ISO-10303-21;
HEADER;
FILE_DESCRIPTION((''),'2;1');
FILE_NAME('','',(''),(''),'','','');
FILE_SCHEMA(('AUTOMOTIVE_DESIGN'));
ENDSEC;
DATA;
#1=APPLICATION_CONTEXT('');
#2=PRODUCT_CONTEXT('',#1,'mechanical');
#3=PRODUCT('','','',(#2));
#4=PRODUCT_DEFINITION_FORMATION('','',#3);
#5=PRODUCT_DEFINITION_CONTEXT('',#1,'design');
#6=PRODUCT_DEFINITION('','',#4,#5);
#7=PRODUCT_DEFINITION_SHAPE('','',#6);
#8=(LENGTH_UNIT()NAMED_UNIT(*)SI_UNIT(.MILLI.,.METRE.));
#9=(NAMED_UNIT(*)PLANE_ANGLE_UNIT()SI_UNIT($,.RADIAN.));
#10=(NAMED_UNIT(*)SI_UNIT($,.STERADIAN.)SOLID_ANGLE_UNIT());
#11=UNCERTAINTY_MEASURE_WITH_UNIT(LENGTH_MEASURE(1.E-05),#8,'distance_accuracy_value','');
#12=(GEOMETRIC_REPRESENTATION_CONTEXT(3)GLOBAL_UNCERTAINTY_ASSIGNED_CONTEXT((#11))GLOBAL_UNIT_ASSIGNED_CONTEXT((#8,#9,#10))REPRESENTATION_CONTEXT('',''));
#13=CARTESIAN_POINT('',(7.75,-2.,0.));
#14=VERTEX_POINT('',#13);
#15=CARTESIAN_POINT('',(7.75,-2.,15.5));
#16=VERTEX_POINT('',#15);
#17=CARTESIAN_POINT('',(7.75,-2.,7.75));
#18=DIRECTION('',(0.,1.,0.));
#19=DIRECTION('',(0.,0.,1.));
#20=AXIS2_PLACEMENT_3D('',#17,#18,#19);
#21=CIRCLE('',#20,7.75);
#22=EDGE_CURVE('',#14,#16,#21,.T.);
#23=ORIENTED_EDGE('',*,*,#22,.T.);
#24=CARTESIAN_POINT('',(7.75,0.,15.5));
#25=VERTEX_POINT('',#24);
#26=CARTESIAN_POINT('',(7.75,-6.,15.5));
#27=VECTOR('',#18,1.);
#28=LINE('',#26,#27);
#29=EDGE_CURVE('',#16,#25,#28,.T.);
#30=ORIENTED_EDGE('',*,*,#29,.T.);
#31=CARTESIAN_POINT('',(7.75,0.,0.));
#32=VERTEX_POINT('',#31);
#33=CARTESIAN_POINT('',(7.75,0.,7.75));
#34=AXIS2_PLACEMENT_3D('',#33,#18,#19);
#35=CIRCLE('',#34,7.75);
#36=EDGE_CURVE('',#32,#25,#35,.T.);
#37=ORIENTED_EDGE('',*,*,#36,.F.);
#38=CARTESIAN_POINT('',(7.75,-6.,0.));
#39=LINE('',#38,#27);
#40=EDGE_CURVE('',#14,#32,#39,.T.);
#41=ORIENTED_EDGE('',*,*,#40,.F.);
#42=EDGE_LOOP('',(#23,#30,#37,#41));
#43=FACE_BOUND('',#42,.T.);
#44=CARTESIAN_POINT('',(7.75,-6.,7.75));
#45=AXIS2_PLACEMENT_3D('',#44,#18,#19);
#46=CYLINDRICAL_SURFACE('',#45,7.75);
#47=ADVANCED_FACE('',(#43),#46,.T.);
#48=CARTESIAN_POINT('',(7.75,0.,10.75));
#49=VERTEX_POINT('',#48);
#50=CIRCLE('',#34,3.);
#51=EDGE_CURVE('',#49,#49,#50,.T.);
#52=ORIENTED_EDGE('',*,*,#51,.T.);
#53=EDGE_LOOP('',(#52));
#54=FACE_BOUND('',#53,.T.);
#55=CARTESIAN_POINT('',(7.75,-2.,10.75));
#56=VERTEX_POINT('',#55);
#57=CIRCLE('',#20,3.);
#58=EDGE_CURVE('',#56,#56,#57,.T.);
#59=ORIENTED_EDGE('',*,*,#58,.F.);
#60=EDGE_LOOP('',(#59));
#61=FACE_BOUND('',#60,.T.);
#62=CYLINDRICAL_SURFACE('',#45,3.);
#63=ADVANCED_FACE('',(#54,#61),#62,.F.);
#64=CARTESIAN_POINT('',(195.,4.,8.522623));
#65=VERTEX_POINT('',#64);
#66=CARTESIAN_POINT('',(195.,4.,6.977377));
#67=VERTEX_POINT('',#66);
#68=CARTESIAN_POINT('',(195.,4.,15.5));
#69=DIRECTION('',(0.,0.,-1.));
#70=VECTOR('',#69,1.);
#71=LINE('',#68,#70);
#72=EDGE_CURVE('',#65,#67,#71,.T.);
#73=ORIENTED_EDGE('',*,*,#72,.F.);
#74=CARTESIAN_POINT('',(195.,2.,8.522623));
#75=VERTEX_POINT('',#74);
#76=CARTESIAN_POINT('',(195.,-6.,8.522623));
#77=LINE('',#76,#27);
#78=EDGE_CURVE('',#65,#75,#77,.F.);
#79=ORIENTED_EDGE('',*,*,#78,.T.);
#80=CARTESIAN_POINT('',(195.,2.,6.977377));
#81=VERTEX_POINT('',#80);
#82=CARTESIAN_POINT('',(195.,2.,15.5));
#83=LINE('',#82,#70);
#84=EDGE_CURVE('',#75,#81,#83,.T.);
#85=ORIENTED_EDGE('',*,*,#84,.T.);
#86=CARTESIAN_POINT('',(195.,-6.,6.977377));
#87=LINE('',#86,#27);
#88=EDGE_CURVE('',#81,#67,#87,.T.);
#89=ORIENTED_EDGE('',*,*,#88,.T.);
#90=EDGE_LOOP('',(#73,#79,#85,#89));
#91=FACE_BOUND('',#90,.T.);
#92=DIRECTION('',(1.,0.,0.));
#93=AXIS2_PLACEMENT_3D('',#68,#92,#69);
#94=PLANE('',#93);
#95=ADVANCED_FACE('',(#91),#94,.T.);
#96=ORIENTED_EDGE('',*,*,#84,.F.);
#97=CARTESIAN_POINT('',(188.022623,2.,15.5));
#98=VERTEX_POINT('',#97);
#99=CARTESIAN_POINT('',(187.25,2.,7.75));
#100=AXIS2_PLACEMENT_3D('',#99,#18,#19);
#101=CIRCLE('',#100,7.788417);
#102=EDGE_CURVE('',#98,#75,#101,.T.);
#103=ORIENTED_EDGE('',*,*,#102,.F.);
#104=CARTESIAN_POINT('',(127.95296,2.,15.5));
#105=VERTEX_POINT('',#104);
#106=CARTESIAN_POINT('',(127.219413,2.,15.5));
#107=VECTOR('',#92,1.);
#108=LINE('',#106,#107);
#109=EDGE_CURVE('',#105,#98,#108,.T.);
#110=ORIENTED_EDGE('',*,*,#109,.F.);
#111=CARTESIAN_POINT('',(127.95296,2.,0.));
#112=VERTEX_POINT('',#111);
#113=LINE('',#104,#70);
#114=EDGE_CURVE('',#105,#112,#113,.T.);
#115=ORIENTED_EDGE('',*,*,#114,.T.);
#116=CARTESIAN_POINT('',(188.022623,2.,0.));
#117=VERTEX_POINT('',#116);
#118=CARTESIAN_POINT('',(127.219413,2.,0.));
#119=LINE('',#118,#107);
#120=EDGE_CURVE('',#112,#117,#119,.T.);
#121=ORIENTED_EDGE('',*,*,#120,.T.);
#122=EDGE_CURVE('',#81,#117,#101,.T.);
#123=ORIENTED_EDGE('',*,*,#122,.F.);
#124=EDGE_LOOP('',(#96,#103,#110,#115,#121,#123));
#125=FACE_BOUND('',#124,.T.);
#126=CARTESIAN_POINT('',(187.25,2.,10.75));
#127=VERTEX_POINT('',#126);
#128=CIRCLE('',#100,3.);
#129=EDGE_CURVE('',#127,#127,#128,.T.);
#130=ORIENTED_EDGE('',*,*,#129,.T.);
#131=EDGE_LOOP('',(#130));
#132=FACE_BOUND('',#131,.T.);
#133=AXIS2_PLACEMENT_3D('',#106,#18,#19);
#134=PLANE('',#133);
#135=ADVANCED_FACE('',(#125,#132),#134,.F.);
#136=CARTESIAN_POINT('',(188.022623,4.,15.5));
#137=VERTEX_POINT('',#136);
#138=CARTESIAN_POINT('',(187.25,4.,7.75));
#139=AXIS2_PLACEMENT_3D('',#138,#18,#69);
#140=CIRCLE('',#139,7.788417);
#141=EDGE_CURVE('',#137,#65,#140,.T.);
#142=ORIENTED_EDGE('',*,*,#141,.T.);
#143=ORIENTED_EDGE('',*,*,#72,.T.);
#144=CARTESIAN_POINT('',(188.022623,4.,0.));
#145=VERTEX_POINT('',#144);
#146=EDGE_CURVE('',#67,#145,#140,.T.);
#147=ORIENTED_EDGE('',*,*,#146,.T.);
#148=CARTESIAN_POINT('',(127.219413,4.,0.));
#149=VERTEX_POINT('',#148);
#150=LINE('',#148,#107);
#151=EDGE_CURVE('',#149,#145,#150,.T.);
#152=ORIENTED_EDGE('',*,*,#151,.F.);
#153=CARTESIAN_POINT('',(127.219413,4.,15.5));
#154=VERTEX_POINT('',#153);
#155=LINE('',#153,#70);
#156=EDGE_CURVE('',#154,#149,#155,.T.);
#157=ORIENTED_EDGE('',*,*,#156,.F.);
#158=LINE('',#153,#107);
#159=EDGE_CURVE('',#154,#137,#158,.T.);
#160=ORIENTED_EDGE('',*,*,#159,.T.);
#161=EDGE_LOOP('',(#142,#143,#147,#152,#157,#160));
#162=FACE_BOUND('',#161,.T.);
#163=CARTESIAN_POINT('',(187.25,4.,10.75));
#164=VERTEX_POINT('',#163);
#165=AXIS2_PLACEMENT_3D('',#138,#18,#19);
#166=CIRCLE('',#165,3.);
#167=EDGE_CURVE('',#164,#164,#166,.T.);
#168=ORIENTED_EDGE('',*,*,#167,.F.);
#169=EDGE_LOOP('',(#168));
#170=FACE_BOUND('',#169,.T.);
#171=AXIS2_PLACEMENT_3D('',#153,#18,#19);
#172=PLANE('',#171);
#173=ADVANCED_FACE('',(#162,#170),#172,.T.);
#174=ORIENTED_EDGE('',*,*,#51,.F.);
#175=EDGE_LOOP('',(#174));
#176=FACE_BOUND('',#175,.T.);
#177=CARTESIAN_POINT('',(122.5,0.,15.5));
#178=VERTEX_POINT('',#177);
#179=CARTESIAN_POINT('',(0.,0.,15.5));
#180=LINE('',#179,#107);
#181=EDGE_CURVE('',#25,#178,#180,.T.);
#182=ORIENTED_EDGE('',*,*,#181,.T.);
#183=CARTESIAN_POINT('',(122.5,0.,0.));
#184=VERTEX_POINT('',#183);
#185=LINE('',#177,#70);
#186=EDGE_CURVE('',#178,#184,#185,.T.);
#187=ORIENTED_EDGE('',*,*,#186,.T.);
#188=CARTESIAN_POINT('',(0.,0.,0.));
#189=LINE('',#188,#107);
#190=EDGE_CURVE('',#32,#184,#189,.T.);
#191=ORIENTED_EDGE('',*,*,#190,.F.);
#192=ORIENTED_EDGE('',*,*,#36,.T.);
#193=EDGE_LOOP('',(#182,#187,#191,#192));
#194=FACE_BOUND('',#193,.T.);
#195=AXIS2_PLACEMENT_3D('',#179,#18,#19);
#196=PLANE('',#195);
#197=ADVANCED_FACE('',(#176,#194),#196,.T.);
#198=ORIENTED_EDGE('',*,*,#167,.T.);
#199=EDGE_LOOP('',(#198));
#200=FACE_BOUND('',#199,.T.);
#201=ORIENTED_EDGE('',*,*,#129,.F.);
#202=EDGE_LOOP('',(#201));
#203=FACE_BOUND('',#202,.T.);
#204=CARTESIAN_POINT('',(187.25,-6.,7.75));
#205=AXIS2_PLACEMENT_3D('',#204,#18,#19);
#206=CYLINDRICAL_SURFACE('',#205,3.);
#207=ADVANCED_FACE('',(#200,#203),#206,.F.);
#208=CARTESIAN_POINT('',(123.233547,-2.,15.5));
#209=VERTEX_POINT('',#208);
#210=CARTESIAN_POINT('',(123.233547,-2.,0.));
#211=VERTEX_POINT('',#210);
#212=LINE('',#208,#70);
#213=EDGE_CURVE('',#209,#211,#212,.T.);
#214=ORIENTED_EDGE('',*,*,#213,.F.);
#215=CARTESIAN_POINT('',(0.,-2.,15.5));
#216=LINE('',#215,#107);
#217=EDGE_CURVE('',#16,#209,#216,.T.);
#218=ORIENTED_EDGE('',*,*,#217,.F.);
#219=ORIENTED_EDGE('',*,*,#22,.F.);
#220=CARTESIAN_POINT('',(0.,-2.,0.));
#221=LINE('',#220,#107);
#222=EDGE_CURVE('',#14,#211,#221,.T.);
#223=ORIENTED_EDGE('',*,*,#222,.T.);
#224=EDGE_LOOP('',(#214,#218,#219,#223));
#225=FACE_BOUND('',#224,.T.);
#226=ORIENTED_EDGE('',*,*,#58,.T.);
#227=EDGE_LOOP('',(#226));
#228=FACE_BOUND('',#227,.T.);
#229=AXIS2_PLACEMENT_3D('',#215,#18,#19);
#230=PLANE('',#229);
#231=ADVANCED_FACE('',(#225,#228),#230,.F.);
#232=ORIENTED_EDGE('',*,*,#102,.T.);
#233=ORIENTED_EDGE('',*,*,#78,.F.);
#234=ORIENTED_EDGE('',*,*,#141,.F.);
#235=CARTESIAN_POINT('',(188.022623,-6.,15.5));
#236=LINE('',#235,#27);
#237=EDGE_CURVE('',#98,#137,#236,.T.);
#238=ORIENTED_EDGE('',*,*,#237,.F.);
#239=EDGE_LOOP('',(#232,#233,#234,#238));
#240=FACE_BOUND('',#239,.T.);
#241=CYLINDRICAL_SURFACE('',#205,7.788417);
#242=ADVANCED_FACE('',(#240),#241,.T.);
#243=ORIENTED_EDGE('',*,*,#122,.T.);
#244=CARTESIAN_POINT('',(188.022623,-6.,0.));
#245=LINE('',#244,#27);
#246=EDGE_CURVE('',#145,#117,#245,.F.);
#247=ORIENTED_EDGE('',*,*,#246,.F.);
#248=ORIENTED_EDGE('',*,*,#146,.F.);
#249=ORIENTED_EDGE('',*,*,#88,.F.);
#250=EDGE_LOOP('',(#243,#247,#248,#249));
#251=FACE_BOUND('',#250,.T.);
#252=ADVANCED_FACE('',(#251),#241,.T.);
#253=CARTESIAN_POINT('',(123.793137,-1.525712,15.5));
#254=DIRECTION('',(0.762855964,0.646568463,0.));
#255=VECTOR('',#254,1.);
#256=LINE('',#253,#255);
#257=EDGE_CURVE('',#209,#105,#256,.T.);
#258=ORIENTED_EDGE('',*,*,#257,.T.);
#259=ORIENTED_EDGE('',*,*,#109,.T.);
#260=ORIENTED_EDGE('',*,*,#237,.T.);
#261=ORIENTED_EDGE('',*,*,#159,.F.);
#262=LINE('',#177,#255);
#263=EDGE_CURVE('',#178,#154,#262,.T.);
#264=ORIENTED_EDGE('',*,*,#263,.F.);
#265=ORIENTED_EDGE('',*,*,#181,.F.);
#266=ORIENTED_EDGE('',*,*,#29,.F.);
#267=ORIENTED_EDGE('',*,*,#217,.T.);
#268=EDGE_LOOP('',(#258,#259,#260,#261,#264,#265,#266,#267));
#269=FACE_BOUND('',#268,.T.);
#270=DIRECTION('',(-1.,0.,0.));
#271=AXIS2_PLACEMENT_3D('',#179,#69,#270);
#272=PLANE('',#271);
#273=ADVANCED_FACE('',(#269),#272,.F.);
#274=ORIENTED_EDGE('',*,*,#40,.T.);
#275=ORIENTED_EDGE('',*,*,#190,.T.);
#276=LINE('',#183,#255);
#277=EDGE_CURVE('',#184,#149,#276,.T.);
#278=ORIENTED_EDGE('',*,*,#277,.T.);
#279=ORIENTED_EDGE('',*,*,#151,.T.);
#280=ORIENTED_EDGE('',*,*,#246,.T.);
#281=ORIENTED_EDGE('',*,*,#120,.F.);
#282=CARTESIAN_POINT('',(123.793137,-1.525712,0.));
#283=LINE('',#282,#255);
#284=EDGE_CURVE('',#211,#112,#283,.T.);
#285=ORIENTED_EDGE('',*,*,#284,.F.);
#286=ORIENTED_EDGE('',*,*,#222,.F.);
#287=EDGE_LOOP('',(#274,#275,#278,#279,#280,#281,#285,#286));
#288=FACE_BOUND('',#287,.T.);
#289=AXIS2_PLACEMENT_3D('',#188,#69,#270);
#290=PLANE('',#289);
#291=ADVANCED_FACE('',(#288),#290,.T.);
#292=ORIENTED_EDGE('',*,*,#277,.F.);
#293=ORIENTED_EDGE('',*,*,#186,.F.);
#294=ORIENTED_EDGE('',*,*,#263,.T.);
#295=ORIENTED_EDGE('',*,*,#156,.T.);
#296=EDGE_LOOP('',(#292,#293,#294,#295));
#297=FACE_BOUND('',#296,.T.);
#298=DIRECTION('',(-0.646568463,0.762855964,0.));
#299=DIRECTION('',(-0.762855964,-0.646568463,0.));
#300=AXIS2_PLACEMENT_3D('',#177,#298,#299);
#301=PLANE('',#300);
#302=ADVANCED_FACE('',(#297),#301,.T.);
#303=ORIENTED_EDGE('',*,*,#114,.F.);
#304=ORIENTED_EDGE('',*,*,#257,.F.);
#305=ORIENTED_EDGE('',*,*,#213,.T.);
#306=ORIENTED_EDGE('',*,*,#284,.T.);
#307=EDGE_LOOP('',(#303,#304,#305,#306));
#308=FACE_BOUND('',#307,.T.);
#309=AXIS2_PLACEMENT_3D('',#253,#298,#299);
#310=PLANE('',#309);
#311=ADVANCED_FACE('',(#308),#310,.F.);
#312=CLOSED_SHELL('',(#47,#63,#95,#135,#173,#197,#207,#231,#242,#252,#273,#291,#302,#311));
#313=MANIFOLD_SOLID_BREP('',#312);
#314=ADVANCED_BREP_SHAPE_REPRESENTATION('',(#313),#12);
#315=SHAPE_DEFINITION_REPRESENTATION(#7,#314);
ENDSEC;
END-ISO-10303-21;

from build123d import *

# Parameters (mm, degrees)
EXTRUDE_1_DEPTH     = 15.5
SKETCH_2_OUTSIDE_W  = 236.142
SKETCH_2_OUTSIDE_H  = 56.642
SKETCH_2_OUTSIDE_R  = 3
CUT_EXTRUDE_4_DEPTH = 10


with BuildPart() as part:
    # Эскиз1 → Вытянуть-Тонкостенный1 (new body)
    with BuildSketch(Plane.XY):
        Polygon((0, 0), (122.5, 0), (127.219413382, 4), (195, 4), (195, 2), (127.952959941, 2), (123.233546559, -2), (0, -2), align=None)
    extrude(amount=EXTRUDE_1_DEPTH)

    # Эскиз2 outside → Вырез-Вытянуть4 (cut)
    with BuildSketch(Plane(origin=(0, 4, 0), x_dir=(1, 0, 0), z_dir=(0, 1, 0))):
        with Locations((97.5, -7.75)):
            Rectangle(SKETCH_2_OUTSIDE_W, SKETCH_2_OUTSIDE_H)
        with BuildLine():
            Line((188.022623145, 0), (7.75, 0))
            ThreePointArc((7.75, 0), (0, -7.75), (7.75, -15.5))
            Line((7.75, -15.5), (188.022623145, -15.5))
            ThreePointArc((188.022623145, -15.5), (195.03841746, -7.75), (188.022623145, 0))
        make_face(mode=Mode.SUBTRACT)
        with Locations((187.25, -7.75)):
            Circle(SKETCH_2_OUTSIDE_R)
        with Locations((7.75, -7.75)):
            Circle(SKETCH_2_OUTSIDE_R)
    extrude(amount=-CUT_EXTRUDE_4_DEPTH, mode=Mode.SUBTRACT)


solid = part.part
